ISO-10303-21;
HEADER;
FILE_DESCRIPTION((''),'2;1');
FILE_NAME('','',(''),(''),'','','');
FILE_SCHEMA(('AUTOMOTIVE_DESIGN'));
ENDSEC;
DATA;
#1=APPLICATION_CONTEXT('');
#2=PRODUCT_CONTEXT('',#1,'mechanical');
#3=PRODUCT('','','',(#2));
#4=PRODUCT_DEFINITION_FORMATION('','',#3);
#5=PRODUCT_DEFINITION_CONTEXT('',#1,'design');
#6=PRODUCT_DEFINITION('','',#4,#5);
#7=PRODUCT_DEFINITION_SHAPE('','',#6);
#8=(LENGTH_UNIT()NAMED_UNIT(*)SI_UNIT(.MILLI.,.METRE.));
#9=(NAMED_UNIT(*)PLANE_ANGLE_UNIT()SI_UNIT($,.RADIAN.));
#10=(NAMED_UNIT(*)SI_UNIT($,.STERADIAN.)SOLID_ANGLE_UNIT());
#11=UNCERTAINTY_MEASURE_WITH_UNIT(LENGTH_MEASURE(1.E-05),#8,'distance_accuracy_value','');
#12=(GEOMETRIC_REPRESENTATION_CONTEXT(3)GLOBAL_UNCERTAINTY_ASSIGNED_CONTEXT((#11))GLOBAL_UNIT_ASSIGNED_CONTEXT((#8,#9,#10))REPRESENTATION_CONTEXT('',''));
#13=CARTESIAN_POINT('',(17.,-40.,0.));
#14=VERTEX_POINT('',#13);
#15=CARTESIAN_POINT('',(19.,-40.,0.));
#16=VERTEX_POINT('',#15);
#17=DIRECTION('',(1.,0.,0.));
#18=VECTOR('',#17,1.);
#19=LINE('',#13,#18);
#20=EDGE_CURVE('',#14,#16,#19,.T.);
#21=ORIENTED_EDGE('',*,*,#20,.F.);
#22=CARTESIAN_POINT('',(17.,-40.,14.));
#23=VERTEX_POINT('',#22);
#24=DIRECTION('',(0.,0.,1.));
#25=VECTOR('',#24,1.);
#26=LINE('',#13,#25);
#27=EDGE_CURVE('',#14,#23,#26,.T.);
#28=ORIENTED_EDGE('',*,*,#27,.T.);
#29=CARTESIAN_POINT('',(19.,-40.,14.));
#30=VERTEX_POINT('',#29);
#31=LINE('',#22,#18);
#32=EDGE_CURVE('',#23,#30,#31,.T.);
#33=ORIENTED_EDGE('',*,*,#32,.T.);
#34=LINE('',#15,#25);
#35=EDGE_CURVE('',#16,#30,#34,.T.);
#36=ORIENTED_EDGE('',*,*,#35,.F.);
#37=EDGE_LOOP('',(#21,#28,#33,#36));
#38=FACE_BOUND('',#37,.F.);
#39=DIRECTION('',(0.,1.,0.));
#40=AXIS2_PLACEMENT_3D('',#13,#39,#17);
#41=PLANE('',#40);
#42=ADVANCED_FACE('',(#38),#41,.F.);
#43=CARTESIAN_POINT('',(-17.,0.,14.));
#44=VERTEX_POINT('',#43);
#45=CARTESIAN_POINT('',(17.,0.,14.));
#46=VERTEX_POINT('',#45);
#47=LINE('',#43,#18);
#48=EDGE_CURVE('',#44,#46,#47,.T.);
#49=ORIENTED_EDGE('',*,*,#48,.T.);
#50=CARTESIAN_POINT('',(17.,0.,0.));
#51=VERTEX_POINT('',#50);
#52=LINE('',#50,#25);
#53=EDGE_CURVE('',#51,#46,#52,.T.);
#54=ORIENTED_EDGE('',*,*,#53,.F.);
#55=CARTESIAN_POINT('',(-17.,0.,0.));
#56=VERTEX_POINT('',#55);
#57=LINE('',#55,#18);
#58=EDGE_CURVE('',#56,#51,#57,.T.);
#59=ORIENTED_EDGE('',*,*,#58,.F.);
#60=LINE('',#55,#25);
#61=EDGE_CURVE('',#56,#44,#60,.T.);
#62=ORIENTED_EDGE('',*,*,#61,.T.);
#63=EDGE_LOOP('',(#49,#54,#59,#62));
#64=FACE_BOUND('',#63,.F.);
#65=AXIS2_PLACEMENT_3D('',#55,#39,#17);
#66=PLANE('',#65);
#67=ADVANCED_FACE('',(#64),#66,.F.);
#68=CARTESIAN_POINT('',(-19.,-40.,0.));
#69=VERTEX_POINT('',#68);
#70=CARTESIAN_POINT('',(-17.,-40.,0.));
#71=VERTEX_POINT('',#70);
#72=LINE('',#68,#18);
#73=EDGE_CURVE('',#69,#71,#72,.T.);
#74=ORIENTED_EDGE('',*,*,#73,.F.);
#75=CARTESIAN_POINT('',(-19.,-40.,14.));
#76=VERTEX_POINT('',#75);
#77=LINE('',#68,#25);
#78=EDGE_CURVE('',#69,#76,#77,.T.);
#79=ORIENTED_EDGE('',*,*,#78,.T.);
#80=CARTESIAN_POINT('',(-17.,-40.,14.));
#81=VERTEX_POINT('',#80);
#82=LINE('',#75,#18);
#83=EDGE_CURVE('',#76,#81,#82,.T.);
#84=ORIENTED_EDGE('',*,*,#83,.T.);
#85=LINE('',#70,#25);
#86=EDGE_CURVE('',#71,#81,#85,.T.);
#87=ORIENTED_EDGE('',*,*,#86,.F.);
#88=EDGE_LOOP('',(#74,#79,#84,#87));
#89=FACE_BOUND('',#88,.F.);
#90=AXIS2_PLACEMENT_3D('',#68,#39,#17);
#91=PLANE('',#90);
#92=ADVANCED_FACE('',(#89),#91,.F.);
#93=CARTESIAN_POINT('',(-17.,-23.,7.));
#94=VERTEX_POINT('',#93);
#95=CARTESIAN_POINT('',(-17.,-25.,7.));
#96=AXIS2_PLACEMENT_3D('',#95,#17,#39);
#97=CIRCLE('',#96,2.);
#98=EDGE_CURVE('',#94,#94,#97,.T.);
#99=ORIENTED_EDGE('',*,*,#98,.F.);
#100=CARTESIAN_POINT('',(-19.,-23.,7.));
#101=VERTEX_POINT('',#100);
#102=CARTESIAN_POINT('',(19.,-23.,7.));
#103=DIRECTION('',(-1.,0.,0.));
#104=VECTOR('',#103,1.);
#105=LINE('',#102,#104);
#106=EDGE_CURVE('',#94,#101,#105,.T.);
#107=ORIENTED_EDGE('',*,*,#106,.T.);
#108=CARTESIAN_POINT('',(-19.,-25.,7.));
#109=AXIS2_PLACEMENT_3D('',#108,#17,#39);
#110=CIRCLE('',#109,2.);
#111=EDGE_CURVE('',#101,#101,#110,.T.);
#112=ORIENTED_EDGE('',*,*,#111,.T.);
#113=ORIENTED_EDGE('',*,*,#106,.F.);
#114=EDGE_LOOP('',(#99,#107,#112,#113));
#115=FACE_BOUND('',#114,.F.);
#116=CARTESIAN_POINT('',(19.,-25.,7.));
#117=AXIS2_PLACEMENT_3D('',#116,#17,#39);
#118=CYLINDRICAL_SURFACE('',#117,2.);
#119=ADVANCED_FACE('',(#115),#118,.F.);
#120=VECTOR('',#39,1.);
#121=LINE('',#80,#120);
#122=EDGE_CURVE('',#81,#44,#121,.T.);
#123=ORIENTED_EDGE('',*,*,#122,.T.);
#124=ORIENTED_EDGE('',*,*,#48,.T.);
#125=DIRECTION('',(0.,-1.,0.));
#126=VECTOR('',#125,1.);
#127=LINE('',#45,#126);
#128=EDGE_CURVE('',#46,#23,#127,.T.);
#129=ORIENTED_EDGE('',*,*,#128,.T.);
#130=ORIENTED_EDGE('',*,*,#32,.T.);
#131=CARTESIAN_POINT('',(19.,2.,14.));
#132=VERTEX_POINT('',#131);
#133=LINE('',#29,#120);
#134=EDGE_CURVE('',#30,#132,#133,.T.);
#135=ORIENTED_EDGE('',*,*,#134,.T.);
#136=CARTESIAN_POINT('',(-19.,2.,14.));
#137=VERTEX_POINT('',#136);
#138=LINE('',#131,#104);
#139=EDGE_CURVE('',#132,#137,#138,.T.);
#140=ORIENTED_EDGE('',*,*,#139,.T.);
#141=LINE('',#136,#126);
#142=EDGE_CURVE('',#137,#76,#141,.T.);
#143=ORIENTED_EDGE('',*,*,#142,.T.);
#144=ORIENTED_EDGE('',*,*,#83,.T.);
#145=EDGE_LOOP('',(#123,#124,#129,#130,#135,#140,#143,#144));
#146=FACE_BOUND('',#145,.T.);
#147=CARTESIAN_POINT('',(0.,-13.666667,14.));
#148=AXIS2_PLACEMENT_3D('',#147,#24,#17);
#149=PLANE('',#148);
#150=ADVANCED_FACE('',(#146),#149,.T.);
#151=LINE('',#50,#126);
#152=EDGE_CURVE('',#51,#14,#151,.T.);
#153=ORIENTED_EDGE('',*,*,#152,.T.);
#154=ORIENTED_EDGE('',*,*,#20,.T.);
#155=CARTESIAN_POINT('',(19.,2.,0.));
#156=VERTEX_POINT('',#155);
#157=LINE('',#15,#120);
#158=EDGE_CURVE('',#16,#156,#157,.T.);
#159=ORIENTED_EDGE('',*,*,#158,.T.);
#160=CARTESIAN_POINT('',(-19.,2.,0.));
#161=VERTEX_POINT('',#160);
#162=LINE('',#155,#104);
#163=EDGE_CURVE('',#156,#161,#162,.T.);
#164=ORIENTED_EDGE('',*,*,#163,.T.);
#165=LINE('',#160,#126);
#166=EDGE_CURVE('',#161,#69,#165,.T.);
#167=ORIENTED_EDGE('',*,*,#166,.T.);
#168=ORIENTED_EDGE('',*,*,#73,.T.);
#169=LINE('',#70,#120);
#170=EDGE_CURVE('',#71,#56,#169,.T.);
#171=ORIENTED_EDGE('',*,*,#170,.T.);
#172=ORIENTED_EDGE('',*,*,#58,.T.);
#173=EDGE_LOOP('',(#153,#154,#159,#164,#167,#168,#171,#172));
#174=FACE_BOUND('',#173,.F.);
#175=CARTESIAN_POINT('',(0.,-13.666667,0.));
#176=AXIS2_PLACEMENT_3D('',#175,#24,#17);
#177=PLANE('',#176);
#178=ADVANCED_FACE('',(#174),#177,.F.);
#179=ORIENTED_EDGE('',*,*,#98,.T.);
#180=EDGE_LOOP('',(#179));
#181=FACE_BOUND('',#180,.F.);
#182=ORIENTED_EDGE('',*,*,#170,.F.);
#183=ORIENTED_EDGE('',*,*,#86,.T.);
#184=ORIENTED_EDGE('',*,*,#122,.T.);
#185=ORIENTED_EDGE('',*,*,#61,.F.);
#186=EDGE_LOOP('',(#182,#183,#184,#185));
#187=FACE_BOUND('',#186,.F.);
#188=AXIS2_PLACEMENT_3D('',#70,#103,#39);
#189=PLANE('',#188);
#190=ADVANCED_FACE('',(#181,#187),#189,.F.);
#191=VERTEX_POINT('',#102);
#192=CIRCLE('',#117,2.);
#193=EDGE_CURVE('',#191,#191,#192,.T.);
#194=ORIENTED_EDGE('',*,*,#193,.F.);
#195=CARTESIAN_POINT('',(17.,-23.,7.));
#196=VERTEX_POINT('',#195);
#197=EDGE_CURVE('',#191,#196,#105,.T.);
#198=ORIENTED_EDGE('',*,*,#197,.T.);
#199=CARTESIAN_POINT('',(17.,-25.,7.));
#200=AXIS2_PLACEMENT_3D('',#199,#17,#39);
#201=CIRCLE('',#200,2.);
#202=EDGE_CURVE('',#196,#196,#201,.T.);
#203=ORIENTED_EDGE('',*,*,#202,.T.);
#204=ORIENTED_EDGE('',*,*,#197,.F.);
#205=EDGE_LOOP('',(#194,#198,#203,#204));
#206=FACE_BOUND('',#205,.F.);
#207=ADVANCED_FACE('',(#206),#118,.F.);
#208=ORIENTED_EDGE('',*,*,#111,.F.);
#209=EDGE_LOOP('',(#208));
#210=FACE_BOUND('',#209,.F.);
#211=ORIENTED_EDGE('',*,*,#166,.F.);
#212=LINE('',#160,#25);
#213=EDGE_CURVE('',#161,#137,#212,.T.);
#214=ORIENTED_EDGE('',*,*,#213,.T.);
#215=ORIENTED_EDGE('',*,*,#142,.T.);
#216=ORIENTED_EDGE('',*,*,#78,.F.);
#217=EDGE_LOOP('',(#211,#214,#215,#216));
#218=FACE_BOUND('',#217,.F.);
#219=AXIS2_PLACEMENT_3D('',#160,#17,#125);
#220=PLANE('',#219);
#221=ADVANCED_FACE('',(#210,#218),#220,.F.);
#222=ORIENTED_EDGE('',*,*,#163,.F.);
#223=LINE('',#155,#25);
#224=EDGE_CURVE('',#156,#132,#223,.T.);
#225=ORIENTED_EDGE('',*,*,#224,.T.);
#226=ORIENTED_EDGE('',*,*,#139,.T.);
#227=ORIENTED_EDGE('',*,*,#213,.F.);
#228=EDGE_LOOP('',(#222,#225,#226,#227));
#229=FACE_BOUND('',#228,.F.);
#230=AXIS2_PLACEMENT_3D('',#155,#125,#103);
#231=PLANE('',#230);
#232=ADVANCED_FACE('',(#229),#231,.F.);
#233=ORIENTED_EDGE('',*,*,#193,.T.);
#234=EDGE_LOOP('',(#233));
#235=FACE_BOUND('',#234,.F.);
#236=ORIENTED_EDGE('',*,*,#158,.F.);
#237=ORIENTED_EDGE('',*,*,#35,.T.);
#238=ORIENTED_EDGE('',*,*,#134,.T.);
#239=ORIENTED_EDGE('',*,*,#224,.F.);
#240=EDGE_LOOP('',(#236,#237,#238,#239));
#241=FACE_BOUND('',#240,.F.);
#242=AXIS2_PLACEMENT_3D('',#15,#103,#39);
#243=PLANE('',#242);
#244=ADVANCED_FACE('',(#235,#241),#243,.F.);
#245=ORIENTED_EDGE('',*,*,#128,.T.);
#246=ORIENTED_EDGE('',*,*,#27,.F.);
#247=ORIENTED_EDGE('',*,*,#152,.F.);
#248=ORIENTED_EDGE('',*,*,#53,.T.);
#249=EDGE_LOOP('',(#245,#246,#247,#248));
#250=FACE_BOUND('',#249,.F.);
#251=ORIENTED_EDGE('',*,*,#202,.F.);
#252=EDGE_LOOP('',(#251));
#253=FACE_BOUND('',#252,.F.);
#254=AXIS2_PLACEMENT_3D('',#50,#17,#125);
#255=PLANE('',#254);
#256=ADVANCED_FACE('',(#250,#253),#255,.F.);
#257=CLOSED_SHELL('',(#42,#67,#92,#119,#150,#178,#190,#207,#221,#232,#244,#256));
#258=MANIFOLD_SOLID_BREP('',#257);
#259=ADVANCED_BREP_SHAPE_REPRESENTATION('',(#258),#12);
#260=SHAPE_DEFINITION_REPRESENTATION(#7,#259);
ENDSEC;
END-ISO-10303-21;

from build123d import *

# Parameters (mm, degrees)
PAD_DEPTH    = 14
SKETCH001_R  = 2
POCKET_DEPTH = 38.001


with BuildPart() as part:
    # Sketch → Pad (new body)
    with BuildSketch(Plane.XY):
        Polygon((-17, -40), (-17, 0), (17, 0), (17, -40), (19, -40), (19, 2), (-19, 2), (-19, -40), align=None)
    extrude(amount=PAD_DEPTH)

    # Sketch001 (on Face5 of Pad) → Pocket (cut, through all)
    with BuildSketch(Plane.YZ.offset(19)):
        with Locations((-25, 7)):
            Circle(SKETCH001_R)
    extrude(amount=-POCKET_DEPTH, mode=Mode.SUBTRACT)


solid = part.part
